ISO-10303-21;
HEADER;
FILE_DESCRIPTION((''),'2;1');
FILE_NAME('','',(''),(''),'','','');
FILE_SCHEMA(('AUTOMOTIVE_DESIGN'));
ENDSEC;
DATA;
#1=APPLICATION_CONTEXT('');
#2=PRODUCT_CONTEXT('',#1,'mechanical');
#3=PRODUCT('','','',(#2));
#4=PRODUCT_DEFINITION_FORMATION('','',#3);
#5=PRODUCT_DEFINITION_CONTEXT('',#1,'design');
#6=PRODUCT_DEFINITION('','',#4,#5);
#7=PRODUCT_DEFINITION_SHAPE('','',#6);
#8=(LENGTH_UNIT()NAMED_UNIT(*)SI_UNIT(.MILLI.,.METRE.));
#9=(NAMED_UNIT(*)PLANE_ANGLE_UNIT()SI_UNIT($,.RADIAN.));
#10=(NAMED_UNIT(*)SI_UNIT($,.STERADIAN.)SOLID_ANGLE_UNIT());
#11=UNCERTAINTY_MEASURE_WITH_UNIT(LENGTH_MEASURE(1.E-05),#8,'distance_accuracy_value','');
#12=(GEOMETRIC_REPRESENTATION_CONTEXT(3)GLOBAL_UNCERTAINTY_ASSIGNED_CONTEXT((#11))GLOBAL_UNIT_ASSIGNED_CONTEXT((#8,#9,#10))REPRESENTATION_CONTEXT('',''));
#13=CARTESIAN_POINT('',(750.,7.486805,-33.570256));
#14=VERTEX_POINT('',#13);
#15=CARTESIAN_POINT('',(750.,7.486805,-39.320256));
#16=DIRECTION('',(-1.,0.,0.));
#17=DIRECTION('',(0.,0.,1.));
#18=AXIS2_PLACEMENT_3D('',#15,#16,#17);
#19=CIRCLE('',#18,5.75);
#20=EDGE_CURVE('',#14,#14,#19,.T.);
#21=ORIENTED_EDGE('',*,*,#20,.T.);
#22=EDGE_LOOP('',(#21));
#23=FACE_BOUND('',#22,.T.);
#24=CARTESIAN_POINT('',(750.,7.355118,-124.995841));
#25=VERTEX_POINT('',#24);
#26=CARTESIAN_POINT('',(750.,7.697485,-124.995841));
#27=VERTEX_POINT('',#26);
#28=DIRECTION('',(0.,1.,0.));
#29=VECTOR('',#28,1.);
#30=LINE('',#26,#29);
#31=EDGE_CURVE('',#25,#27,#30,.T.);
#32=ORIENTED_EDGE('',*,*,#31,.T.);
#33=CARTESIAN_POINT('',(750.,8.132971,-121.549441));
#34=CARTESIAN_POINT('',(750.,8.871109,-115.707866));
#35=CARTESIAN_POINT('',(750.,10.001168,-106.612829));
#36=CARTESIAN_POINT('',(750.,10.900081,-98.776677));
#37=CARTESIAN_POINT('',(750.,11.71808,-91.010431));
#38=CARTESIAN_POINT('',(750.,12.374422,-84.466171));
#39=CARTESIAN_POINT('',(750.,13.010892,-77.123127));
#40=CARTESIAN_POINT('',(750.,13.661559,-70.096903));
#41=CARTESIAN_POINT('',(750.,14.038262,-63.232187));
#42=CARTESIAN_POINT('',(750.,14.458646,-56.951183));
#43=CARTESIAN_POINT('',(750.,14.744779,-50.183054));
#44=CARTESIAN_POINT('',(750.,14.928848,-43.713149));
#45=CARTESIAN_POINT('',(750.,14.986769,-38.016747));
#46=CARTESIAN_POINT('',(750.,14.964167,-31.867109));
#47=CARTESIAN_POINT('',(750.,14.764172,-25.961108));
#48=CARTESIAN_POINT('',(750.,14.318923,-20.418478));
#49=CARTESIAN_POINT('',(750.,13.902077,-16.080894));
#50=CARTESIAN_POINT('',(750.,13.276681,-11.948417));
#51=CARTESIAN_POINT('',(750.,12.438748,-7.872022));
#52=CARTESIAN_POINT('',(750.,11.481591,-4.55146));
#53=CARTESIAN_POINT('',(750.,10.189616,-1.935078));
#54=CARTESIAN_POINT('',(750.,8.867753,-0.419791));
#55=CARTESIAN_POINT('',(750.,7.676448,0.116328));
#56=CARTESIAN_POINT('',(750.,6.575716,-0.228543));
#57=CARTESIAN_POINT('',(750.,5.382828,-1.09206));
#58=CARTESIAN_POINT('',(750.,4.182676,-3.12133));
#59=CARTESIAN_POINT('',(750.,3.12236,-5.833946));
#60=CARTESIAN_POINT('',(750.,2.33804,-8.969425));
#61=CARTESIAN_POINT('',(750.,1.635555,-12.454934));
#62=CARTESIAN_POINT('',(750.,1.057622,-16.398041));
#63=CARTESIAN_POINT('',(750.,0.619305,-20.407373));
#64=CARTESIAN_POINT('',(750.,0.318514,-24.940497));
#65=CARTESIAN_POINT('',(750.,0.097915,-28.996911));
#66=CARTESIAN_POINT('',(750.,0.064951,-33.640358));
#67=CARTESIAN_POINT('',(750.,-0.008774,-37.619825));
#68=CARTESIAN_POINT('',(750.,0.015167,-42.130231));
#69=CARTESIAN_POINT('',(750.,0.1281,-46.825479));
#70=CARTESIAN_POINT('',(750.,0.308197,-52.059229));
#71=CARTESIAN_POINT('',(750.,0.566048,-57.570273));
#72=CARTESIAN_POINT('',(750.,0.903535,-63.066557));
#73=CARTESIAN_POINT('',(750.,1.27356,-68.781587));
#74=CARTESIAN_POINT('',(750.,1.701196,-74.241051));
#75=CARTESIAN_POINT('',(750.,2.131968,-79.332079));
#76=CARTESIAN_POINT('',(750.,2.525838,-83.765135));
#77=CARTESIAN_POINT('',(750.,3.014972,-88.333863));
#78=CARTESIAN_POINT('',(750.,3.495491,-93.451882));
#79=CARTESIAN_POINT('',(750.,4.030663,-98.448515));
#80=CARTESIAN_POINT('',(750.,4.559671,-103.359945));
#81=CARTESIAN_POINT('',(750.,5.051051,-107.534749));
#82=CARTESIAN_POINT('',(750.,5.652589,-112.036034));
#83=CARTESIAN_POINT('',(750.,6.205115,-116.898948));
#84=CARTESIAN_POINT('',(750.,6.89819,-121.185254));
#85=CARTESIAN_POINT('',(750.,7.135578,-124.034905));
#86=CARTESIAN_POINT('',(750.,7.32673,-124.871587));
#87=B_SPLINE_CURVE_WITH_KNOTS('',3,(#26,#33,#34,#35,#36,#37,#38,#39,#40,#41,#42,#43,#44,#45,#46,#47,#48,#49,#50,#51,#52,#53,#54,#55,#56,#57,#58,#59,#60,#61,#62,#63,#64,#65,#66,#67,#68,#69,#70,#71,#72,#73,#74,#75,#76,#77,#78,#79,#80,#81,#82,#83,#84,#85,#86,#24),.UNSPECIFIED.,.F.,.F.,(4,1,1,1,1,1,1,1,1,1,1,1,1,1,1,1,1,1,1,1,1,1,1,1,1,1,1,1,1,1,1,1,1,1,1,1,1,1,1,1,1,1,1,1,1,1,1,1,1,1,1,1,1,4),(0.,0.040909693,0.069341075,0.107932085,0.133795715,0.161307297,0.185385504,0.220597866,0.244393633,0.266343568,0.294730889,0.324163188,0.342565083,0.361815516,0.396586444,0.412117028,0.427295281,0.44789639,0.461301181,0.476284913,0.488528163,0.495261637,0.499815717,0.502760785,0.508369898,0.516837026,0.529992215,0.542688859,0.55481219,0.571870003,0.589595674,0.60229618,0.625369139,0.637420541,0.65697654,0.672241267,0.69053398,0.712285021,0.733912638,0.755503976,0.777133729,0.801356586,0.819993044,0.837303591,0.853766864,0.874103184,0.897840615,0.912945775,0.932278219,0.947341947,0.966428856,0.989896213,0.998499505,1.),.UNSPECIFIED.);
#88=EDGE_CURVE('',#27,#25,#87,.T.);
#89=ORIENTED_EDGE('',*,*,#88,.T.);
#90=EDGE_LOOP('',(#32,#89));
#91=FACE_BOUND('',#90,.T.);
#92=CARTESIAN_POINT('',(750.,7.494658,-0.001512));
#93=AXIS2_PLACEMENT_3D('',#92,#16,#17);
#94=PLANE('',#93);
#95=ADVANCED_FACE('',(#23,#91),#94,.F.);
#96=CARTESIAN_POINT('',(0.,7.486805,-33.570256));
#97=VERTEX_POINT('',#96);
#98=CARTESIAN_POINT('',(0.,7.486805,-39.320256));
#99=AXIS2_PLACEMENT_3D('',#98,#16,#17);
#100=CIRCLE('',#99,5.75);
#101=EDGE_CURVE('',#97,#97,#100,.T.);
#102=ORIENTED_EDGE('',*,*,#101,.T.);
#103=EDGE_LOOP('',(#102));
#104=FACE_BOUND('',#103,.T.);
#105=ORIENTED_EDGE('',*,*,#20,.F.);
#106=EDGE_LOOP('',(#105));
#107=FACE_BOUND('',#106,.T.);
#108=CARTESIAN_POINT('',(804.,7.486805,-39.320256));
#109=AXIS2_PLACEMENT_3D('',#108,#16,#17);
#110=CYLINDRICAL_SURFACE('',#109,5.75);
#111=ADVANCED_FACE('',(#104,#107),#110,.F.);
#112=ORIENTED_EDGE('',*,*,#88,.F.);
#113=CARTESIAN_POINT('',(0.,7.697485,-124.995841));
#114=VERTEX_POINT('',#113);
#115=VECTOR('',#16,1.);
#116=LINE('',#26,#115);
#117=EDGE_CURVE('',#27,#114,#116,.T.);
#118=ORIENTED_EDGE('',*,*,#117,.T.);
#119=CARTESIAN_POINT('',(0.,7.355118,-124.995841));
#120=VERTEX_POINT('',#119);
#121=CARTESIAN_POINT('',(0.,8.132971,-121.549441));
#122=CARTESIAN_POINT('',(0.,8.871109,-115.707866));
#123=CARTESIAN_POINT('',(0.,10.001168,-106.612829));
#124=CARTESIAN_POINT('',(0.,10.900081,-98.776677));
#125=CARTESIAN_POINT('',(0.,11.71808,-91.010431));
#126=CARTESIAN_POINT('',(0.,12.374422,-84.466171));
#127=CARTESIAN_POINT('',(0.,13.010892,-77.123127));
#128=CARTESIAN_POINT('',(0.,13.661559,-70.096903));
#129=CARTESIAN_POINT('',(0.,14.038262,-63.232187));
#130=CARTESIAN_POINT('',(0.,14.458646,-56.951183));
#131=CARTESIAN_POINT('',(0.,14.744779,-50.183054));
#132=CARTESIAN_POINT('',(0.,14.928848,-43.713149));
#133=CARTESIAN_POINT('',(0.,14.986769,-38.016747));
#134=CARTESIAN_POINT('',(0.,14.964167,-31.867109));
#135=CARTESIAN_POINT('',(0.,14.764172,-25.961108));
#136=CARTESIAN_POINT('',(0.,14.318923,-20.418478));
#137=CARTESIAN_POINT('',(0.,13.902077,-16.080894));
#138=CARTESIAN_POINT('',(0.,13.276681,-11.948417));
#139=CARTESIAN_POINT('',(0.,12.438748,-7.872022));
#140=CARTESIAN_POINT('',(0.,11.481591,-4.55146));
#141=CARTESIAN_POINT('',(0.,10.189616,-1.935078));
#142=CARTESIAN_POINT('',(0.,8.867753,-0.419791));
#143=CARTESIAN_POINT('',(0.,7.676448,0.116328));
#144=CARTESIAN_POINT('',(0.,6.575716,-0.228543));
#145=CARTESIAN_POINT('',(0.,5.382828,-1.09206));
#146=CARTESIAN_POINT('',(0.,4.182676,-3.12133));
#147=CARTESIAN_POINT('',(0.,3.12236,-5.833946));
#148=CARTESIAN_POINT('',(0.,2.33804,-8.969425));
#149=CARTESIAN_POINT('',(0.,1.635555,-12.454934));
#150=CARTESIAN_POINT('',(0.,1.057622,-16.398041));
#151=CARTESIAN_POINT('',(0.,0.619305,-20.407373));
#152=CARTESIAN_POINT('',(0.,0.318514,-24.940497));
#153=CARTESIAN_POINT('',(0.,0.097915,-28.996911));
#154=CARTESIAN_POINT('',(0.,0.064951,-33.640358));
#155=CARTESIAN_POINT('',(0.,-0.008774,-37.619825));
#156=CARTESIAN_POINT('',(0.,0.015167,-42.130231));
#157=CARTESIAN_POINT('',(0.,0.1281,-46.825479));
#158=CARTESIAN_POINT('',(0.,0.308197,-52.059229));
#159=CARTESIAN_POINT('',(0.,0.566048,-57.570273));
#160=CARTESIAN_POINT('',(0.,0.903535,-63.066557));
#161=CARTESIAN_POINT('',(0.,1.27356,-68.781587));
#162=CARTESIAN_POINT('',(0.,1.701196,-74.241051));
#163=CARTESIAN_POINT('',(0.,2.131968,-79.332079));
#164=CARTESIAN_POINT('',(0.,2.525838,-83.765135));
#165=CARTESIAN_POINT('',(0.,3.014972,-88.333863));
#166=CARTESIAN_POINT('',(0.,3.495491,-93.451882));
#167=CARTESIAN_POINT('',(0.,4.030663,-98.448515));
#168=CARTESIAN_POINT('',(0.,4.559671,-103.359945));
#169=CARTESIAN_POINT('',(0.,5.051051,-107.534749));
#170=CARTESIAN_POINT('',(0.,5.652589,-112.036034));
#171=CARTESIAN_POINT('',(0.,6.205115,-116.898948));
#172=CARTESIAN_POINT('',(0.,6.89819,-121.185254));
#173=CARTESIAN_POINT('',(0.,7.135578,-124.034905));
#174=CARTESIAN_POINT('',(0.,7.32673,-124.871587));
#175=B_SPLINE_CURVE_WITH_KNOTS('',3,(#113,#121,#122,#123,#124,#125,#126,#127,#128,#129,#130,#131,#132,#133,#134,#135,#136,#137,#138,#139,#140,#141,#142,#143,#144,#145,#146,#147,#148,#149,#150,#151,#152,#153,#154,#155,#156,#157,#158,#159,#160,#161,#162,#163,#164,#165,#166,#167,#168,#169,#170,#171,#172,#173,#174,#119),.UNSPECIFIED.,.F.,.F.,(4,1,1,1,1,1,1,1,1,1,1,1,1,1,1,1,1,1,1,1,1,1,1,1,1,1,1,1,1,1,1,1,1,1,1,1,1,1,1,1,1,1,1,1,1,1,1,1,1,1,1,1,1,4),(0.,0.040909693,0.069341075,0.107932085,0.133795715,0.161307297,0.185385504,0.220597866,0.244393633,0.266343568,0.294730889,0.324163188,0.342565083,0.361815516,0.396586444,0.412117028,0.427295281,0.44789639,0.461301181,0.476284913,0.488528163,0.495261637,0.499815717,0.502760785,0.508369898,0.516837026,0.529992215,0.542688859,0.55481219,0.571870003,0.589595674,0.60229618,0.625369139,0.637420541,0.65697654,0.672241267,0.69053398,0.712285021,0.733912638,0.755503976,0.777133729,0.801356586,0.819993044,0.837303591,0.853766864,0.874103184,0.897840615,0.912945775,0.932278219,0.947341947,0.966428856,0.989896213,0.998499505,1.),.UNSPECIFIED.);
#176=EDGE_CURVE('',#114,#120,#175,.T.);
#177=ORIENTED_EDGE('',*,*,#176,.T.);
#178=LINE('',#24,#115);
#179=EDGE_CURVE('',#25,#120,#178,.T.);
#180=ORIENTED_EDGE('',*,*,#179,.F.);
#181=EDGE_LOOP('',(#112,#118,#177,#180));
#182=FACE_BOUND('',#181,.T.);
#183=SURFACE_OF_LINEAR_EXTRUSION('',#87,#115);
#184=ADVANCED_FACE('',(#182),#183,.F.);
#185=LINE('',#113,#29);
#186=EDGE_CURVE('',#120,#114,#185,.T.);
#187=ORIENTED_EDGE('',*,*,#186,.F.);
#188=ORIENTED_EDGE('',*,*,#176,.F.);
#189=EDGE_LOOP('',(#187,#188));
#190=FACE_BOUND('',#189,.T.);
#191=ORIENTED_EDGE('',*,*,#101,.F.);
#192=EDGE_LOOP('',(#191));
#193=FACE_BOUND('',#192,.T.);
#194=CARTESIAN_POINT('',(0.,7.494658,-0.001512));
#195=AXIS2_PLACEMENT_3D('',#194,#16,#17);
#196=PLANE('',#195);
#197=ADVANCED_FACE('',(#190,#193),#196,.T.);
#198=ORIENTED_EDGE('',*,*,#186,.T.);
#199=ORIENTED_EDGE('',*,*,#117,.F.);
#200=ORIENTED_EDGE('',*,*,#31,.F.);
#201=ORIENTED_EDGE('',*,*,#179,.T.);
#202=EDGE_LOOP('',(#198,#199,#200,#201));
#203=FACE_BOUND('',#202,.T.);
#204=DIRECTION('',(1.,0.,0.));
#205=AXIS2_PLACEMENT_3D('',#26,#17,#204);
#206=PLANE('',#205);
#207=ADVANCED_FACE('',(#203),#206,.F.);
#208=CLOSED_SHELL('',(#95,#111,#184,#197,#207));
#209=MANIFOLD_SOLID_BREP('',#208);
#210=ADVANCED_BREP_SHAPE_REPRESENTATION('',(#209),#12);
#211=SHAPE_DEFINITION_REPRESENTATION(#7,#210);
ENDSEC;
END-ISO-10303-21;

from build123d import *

# Parameters (mm, degrees)
BOSS_EXTRUDE1_DEPTH = 750
SKETCH3_R           = 5.75
CUT_EXTRUDE1_DEPTH  = 804


with BuildPart() as part:
    # Sketch1 → Boss-Extrude1 (new body)
    with BuildSketch(Plane(origin=(0, 0, 0), x_dir=(0, 0, -1), z_dir=(1, 0, 0))):
        with BuildLine():
            Line((124.995841149, 7.69748541), (124.995841149, 7.355117962))
            add(Edge.make_bspline(
                [(124.995841149, 7.69748541), (121.54944134, 8.132970798), (115.70786567, 8.871109432), (106.612829463, 10.001168496), (98.776677449, 10.90008096), (91.010430983, 11.718079743), (84.466171166, 12.374421583), (77.123127033, 13.01089191), (70.096902966, 13.661558661), (63.232186969, 14.038262432), (56.951183357, 14.458646485), (50.183054312, 14.744779284), (43.713149432, 14.928847728), (38.016747366, 14.98676945), (31.867108518, 14.964167357), (25.961108401, 14.764171889), (20.418478368, 14.31892281), (16.080893919, 13.902077279), (11.948417441, 13.276680513), (7.872022134, 12.438747868), (4.55145991, 11.481590763), (1.935078283, 10.189615691), (0.419790589, 8.867752598), (-0.116328202, 7.676448045), (0.228543289, 6.575716308), (1.092059769, 5.382828043), (3.121329832, 4.182675807), (5.833945868, 3.122360161), (8.969424846, 2.338039739), (12.454934448, 1.635555066), (16.398041291, 1.057622245), (20.40737347, 0.619305342), (24.940496845, 0.318514105), (28.9969109, 0.097914693), (33.640357675, 0.064950819), (37.619824838, -0.008774002), (42.130231161, 0.0151669), (46.825478609, 0.12809962), (52.059229259, 0.308197083), (57.570273171, 0.566048003), (63.06655694, 0.903534981), (68.78158744, 1.273560104), (74.2410514, 1.701195853), (79.332078991, 2.13196813), (83.765135248, 2.525837795), (88.333862548, 3.014972175), (93.451881908, 3.495491212), (98.448514928, 4.030663182), (103.359945306, 4.559670893), (107.534749069, 5.051051401), (112.036034411, 5.652589328), (116.898948088, 6.205114514), (121.185254011, 6.89818955), (124.034905271, 7.135577505), (124.871587069, 7.326730223), (124.995841149, 7.355117962)],
                knots=[0, 0, 0, 0, 0.040909693, 0.069341075, 0.107932085, 0.133795715, 0.161307297, 0.185385504, 0.220597866, 0.244393633, 0.266343568, 0.294730889, 0.324163188, 0.342565083, 0.361815516, 0.396586444, 0.412117028, 0.427295281, 0.44789639, 0.461301181, 0.476284913, 0.488528163, 0.495261637, 0.499815717, 0.502760785, 0.508369898, 0.516837026, 0.529992215, 0.542688859, 0.55481219, 0.571870003, 0.589595674, 0.60229618, 0.625369139, 0.637420541, 0.65697654, 0.672241267, 0.69053398, 0.712285021, 0.733912638, 0.755503976, 0.777133729, 0.801356586, 0.819993044, 0.837303591, 0.853766864, 0.874103184, 0.897840615, 0.912945775, 0.932278219, 0.947341947, 0.966428856, 0.989896213, 0.998499505, 1, 1, 1, 1], degree=3))
        make_face()
    extrude(amount=BOSS_EXTRUDE1_DEPTH)

    # Sketch3 → Cut-Extrude1 (cut)
    with BuildSketch(Plane.ZY):
        with Locations((-39.320255878, 7.486804595)):
            Circle(SKETCH3_R)
    extrude(amount=-CUT_EXTRUDE1_DEPTH, mode=Mode.SUBTRACT)


solid = part.part
